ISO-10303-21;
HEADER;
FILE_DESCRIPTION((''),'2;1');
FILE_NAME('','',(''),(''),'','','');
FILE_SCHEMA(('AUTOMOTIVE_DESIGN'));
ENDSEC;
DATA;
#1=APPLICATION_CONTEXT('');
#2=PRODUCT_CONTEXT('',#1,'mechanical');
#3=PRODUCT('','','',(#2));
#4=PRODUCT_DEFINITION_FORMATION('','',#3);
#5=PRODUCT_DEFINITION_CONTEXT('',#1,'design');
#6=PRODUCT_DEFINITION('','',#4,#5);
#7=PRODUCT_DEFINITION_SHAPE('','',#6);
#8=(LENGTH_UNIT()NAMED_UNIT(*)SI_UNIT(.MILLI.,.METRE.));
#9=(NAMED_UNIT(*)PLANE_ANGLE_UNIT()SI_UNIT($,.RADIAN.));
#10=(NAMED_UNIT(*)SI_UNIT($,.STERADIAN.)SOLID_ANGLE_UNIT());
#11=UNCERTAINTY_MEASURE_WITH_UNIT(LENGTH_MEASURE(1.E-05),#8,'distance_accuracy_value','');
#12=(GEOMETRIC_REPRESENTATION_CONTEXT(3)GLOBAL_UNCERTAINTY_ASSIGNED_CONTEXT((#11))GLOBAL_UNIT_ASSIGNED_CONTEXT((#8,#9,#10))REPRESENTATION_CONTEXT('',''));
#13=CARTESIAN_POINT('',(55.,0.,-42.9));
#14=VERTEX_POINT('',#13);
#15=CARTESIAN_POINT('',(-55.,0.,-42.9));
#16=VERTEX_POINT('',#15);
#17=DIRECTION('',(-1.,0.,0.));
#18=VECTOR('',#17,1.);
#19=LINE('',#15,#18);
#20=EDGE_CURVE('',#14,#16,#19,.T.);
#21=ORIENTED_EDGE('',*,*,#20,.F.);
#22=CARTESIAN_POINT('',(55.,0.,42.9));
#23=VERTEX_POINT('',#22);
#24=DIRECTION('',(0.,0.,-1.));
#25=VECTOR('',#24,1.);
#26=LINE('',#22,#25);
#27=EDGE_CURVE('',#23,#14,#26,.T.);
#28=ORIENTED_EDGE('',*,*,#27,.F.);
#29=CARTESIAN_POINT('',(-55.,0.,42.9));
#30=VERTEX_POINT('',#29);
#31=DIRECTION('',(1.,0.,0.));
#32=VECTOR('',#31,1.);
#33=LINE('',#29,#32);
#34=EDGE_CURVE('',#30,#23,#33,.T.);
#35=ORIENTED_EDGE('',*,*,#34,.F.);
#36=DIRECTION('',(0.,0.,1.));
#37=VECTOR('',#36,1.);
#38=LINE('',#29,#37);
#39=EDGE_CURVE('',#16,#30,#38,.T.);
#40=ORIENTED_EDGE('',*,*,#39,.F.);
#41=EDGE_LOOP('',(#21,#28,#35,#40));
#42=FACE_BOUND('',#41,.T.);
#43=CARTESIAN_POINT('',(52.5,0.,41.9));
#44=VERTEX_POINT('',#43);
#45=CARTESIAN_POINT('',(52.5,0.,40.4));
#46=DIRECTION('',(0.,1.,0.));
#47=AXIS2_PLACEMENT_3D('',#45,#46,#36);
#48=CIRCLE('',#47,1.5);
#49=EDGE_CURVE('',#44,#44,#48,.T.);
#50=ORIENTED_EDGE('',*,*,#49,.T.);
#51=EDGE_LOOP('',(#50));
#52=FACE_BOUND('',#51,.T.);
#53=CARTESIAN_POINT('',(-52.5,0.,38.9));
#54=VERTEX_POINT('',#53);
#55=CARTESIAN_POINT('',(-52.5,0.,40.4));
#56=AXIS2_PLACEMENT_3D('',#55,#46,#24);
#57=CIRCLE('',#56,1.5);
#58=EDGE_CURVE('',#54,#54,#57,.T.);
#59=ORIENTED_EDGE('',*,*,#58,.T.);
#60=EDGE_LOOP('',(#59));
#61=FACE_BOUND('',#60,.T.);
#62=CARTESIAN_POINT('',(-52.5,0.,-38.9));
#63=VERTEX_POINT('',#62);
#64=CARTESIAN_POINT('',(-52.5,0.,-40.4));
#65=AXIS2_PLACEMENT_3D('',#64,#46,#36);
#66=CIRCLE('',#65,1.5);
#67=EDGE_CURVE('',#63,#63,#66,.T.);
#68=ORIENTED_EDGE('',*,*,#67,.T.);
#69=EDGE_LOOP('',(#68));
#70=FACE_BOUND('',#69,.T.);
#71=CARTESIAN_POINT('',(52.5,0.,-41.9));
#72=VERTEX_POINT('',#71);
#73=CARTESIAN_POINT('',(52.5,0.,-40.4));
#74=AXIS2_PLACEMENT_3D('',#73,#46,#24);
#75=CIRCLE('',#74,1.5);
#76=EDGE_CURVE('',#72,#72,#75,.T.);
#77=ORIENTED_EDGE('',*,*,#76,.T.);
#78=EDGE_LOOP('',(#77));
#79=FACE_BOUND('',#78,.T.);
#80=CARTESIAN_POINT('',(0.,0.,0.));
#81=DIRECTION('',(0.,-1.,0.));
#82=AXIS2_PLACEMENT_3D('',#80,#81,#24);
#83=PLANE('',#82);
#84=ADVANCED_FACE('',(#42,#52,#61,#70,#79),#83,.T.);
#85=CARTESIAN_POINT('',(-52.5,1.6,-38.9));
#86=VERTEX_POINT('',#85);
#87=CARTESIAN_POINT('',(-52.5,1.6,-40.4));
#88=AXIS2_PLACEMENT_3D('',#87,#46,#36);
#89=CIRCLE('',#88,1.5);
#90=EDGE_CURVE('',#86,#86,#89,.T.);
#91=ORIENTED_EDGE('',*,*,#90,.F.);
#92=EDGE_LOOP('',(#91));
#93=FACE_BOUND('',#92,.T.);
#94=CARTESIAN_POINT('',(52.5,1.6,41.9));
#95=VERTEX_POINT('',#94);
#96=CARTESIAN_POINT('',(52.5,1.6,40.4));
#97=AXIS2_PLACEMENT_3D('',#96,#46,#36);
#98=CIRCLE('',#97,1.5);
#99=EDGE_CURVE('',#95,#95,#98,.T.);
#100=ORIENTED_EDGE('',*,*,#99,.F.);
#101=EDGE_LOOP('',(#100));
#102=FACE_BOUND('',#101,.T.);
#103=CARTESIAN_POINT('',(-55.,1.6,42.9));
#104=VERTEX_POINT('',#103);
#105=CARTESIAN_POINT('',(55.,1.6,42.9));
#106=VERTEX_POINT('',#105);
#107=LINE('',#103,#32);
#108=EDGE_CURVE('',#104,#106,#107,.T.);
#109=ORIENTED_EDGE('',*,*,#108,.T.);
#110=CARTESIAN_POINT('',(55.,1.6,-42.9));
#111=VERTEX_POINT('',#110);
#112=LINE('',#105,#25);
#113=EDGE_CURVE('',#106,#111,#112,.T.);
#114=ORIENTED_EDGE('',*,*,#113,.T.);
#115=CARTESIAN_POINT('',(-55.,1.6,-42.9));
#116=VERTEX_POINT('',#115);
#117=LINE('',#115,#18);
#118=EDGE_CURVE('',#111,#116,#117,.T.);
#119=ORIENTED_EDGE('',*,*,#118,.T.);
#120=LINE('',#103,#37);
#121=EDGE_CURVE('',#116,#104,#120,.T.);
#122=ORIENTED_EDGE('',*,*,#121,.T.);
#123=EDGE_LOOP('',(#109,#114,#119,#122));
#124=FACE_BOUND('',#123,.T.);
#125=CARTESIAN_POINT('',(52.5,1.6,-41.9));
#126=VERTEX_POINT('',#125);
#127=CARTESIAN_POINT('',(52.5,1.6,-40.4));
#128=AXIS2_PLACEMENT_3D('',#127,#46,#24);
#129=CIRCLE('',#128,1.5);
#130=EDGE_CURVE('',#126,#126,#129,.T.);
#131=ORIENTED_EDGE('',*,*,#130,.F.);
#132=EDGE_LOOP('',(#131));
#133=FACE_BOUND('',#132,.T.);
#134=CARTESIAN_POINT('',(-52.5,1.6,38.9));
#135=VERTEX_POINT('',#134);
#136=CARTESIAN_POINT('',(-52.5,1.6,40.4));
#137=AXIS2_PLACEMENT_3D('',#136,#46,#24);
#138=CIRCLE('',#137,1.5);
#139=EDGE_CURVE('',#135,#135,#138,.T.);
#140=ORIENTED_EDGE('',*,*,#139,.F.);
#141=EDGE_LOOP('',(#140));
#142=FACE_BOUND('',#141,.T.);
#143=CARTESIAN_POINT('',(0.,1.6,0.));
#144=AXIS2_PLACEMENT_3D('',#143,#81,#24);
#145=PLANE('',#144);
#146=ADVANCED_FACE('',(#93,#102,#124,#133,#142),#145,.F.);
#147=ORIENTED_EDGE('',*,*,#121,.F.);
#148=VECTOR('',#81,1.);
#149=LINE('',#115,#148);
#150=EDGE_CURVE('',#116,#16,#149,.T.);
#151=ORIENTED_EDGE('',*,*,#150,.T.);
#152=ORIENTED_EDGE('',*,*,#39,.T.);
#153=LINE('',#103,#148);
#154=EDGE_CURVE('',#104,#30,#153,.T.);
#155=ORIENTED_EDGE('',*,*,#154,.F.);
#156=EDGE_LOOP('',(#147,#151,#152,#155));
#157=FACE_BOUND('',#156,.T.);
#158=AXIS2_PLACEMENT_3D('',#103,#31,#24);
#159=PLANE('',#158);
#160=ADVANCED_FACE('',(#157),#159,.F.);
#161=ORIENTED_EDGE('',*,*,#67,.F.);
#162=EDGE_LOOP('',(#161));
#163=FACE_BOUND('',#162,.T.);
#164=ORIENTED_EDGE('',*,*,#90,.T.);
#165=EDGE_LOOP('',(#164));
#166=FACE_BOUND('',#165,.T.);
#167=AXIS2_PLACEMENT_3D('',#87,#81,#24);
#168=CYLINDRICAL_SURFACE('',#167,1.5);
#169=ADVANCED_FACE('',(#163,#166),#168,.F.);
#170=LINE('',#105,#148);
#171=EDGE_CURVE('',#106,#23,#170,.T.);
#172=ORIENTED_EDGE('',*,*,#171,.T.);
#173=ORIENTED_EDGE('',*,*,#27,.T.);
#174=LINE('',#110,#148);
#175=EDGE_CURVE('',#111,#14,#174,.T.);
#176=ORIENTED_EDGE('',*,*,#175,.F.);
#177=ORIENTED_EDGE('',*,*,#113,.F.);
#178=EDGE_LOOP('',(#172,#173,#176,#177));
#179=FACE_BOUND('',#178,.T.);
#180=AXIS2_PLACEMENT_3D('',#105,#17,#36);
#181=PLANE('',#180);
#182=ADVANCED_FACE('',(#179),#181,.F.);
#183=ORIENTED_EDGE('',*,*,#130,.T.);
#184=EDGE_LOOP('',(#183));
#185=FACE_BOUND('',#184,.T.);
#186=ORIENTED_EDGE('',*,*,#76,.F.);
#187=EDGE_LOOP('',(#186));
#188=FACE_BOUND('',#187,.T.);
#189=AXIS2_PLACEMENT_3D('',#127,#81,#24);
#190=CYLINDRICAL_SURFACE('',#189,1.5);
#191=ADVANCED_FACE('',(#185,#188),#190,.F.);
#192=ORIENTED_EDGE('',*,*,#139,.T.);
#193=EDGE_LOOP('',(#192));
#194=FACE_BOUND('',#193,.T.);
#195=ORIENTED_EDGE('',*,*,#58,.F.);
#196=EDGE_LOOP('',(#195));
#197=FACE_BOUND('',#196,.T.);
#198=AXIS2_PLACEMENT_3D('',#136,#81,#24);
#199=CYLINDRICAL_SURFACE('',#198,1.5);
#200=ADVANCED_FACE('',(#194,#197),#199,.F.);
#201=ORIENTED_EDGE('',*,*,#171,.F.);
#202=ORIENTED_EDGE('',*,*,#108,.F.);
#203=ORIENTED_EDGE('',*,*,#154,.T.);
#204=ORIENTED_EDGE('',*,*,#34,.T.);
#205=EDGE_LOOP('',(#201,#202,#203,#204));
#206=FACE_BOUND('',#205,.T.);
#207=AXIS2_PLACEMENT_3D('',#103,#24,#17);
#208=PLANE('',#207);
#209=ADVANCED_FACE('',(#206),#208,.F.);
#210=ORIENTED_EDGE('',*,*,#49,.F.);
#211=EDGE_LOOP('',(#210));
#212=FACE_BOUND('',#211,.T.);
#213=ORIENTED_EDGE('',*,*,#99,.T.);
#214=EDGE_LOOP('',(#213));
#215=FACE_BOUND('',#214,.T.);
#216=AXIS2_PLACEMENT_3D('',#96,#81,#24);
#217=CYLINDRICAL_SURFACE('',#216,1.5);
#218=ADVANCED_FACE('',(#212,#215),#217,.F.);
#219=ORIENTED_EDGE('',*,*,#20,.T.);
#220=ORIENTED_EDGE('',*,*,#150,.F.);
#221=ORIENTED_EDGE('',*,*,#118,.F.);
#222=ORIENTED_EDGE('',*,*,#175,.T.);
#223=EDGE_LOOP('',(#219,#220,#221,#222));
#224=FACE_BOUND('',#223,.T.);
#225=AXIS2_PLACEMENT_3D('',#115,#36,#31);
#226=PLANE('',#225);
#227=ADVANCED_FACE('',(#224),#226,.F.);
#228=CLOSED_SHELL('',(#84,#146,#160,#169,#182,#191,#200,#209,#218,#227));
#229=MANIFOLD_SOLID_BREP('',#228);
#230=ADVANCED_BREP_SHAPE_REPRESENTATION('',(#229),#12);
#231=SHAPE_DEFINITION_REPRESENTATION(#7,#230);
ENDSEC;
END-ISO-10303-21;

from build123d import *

# Parameters (mm, degrees)
SKETCH1_W           = 110
SKETCH1_H           = 85.8
SKETCH1_R           = 1.5
BOSS_EXTRUDE1_DEPTH = 1.6


with BuildPart() as part:
    # Sketch1 → Boss-Extrude1 (new body)
    with BuildSketch(Plane(origin=(0, 0, 0), x_dir=(1, 0, 0), z_dir=(0, 1, 0))):
        Rectangle(SKETCH1_W, SKETCH1_H)
        with Locations(Location((-52.5, 40.4, 0), (0, 0, 270))):
            Circle(SKETCH1_R, mode=Mode.SUBTRACT)
        with Locations(Location((52.5, 40.4, 0), (0, 0, 90))):
            Circle(SKETCH1_R, mode=Mode.SUBTRACT)
        with Locations(Location((52.5, -40.4, 0), (0, 0, 270))):
            Circle(SKETCH1_R, mode=Mode.SUBTRACT)
        with Locations(Location((-52.5, -40.4, 0), (0, 0, 90))):
            Circle(SKETCH1_R, mode=Mode.SUBTRACT)
    extrude(amount=BOSS_EXTRUDE1_DEPTH)


solid = part.part
